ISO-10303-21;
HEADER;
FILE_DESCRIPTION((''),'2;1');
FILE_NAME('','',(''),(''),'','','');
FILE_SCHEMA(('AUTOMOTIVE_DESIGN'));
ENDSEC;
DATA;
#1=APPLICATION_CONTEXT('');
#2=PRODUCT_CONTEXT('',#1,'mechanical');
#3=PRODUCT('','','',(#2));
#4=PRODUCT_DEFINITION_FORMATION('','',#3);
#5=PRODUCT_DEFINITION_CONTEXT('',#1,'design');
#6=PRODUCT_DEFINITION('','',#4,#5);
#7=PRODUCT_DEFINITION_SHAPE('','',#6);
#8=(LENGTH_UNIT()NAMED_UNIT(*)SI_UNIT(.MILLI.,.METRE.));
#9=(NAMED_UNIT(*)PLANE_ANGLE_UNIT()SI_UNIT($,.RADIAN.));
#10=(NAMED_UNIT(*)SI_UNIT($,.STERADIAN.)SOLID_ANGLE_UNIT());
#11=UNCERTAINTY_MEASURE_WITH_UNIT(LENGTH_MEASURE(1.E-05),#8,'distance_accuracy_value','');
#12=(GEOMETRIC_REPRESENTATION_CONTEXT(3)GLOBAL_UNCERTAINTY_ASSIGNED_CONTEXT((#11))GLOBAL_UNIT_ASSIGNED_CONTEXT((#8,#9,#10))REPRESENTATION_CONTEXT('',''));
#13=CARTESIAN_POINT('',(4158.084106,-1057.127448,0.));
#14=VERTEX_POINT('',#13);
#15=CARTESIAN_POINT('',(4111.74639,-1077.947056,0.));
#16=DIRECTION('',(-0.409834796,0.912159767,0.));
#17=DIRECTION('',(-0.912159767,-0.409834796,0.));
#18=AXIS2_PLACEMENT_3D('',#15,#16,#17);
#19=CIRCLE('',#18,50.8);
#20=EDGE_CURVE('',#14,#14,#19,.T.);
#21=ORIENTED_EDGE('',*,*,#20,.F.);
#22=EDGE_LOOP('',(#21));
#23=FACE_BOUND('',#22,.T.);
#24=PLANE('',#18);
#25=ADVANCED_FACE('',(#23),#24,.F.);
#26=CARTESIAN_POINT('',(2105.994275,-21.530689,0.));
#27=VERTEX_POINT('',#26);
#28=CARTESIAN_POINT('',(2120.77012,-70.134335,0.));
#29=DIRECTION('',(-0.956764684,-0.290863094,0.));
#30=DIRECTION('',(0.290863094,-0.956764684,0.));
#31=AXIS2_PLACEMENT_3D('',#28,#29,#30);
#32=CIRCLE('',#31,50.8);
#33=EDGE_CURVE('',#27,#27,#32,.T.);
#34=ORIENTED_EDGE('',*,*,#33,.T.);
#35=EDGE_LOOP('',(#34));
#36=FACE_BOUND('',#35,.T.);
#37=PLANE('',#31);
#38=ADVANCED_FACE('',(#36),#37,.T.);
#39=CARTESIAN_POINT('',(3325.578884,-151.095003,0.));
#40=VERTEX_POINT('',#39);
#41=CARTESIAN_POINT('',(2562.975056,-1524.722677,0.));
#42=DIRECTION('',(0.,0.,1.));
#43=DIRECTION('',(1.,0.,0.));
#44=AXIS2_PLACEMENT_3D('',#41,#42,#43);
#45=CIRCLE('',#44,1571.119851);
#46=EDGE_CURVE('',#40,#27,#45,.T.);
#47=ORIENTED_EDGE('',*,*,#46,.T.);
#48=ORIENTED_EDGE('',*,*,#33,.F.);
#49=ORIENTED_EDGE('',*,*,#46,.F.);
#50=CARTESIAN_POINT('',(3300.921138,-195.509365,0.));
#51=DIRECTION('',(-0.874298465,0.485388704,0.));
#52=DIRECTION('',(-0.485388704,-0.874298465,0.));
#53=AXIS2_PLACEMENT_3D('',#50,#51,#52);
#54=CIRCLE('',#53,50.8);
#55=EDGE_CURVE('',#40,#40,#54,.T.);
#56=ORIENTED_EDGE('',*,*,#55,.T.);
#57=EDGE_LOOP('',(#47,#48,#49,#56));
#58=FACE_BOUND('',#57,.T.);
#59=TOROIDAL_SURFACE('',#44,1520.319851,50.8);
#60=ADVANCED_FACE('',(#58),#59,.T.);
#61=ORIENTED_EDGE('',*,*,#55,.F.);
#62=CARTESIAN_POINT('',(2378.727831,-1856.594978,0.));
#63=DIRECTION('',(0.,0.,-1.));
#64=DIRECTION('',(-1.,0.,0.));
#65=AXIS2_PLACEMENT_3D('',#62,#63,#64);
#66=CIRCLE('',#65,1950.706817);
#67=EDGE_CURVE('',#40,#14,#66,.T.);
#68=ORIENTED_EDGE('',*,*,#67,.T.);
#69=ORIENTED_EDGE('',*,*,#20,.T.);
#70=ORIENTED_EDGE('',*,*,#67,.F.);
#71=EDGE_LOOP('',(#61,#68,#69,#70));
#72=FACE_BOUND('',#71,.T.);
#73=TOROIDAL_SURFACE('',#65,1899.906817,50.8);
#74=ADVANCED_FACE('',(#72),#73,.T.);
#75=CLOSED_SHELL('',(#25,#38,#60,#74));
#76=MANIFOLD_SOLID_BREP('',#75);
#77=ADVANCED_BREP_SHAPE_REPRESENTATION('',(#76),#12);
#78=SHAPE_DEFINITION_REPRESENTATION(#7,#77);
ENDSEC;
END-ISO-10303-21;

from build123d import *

# Parameters (mm, degrees)
SKETCH2_R = 50.8


with BuildPart() as part:
    # Sweep1: sweep along a path in Sketch1
    with BuildLine(Plane.XY) as sweep1_path:
        ThreePointArc((4111.746389716, -1077.947055764), (3777.731613312, -571.12450839), (3300.921138207, -195.509364642))
        ThreePointArc((3300.921138207, -195.509364642), (2723.584616597, -12.910182438), (2120.770120359, -70.13433514))
    # Sketch2 → Sweep1 (sweep)
    with BuildSketch(Plane(origin=(1093.601808152, -2434.004091071, 0), x_dir=(-0.9121597666914735, -0.40983479602073425, 0), z_dir=(-0.40983479602073425, 0.9121597666914735, 0))):
        with Locations((-3308.789415818, 0)):
            Circle(SKETCH2_R)
    sweep(path=sweep1_path.line)


solid = part.part
